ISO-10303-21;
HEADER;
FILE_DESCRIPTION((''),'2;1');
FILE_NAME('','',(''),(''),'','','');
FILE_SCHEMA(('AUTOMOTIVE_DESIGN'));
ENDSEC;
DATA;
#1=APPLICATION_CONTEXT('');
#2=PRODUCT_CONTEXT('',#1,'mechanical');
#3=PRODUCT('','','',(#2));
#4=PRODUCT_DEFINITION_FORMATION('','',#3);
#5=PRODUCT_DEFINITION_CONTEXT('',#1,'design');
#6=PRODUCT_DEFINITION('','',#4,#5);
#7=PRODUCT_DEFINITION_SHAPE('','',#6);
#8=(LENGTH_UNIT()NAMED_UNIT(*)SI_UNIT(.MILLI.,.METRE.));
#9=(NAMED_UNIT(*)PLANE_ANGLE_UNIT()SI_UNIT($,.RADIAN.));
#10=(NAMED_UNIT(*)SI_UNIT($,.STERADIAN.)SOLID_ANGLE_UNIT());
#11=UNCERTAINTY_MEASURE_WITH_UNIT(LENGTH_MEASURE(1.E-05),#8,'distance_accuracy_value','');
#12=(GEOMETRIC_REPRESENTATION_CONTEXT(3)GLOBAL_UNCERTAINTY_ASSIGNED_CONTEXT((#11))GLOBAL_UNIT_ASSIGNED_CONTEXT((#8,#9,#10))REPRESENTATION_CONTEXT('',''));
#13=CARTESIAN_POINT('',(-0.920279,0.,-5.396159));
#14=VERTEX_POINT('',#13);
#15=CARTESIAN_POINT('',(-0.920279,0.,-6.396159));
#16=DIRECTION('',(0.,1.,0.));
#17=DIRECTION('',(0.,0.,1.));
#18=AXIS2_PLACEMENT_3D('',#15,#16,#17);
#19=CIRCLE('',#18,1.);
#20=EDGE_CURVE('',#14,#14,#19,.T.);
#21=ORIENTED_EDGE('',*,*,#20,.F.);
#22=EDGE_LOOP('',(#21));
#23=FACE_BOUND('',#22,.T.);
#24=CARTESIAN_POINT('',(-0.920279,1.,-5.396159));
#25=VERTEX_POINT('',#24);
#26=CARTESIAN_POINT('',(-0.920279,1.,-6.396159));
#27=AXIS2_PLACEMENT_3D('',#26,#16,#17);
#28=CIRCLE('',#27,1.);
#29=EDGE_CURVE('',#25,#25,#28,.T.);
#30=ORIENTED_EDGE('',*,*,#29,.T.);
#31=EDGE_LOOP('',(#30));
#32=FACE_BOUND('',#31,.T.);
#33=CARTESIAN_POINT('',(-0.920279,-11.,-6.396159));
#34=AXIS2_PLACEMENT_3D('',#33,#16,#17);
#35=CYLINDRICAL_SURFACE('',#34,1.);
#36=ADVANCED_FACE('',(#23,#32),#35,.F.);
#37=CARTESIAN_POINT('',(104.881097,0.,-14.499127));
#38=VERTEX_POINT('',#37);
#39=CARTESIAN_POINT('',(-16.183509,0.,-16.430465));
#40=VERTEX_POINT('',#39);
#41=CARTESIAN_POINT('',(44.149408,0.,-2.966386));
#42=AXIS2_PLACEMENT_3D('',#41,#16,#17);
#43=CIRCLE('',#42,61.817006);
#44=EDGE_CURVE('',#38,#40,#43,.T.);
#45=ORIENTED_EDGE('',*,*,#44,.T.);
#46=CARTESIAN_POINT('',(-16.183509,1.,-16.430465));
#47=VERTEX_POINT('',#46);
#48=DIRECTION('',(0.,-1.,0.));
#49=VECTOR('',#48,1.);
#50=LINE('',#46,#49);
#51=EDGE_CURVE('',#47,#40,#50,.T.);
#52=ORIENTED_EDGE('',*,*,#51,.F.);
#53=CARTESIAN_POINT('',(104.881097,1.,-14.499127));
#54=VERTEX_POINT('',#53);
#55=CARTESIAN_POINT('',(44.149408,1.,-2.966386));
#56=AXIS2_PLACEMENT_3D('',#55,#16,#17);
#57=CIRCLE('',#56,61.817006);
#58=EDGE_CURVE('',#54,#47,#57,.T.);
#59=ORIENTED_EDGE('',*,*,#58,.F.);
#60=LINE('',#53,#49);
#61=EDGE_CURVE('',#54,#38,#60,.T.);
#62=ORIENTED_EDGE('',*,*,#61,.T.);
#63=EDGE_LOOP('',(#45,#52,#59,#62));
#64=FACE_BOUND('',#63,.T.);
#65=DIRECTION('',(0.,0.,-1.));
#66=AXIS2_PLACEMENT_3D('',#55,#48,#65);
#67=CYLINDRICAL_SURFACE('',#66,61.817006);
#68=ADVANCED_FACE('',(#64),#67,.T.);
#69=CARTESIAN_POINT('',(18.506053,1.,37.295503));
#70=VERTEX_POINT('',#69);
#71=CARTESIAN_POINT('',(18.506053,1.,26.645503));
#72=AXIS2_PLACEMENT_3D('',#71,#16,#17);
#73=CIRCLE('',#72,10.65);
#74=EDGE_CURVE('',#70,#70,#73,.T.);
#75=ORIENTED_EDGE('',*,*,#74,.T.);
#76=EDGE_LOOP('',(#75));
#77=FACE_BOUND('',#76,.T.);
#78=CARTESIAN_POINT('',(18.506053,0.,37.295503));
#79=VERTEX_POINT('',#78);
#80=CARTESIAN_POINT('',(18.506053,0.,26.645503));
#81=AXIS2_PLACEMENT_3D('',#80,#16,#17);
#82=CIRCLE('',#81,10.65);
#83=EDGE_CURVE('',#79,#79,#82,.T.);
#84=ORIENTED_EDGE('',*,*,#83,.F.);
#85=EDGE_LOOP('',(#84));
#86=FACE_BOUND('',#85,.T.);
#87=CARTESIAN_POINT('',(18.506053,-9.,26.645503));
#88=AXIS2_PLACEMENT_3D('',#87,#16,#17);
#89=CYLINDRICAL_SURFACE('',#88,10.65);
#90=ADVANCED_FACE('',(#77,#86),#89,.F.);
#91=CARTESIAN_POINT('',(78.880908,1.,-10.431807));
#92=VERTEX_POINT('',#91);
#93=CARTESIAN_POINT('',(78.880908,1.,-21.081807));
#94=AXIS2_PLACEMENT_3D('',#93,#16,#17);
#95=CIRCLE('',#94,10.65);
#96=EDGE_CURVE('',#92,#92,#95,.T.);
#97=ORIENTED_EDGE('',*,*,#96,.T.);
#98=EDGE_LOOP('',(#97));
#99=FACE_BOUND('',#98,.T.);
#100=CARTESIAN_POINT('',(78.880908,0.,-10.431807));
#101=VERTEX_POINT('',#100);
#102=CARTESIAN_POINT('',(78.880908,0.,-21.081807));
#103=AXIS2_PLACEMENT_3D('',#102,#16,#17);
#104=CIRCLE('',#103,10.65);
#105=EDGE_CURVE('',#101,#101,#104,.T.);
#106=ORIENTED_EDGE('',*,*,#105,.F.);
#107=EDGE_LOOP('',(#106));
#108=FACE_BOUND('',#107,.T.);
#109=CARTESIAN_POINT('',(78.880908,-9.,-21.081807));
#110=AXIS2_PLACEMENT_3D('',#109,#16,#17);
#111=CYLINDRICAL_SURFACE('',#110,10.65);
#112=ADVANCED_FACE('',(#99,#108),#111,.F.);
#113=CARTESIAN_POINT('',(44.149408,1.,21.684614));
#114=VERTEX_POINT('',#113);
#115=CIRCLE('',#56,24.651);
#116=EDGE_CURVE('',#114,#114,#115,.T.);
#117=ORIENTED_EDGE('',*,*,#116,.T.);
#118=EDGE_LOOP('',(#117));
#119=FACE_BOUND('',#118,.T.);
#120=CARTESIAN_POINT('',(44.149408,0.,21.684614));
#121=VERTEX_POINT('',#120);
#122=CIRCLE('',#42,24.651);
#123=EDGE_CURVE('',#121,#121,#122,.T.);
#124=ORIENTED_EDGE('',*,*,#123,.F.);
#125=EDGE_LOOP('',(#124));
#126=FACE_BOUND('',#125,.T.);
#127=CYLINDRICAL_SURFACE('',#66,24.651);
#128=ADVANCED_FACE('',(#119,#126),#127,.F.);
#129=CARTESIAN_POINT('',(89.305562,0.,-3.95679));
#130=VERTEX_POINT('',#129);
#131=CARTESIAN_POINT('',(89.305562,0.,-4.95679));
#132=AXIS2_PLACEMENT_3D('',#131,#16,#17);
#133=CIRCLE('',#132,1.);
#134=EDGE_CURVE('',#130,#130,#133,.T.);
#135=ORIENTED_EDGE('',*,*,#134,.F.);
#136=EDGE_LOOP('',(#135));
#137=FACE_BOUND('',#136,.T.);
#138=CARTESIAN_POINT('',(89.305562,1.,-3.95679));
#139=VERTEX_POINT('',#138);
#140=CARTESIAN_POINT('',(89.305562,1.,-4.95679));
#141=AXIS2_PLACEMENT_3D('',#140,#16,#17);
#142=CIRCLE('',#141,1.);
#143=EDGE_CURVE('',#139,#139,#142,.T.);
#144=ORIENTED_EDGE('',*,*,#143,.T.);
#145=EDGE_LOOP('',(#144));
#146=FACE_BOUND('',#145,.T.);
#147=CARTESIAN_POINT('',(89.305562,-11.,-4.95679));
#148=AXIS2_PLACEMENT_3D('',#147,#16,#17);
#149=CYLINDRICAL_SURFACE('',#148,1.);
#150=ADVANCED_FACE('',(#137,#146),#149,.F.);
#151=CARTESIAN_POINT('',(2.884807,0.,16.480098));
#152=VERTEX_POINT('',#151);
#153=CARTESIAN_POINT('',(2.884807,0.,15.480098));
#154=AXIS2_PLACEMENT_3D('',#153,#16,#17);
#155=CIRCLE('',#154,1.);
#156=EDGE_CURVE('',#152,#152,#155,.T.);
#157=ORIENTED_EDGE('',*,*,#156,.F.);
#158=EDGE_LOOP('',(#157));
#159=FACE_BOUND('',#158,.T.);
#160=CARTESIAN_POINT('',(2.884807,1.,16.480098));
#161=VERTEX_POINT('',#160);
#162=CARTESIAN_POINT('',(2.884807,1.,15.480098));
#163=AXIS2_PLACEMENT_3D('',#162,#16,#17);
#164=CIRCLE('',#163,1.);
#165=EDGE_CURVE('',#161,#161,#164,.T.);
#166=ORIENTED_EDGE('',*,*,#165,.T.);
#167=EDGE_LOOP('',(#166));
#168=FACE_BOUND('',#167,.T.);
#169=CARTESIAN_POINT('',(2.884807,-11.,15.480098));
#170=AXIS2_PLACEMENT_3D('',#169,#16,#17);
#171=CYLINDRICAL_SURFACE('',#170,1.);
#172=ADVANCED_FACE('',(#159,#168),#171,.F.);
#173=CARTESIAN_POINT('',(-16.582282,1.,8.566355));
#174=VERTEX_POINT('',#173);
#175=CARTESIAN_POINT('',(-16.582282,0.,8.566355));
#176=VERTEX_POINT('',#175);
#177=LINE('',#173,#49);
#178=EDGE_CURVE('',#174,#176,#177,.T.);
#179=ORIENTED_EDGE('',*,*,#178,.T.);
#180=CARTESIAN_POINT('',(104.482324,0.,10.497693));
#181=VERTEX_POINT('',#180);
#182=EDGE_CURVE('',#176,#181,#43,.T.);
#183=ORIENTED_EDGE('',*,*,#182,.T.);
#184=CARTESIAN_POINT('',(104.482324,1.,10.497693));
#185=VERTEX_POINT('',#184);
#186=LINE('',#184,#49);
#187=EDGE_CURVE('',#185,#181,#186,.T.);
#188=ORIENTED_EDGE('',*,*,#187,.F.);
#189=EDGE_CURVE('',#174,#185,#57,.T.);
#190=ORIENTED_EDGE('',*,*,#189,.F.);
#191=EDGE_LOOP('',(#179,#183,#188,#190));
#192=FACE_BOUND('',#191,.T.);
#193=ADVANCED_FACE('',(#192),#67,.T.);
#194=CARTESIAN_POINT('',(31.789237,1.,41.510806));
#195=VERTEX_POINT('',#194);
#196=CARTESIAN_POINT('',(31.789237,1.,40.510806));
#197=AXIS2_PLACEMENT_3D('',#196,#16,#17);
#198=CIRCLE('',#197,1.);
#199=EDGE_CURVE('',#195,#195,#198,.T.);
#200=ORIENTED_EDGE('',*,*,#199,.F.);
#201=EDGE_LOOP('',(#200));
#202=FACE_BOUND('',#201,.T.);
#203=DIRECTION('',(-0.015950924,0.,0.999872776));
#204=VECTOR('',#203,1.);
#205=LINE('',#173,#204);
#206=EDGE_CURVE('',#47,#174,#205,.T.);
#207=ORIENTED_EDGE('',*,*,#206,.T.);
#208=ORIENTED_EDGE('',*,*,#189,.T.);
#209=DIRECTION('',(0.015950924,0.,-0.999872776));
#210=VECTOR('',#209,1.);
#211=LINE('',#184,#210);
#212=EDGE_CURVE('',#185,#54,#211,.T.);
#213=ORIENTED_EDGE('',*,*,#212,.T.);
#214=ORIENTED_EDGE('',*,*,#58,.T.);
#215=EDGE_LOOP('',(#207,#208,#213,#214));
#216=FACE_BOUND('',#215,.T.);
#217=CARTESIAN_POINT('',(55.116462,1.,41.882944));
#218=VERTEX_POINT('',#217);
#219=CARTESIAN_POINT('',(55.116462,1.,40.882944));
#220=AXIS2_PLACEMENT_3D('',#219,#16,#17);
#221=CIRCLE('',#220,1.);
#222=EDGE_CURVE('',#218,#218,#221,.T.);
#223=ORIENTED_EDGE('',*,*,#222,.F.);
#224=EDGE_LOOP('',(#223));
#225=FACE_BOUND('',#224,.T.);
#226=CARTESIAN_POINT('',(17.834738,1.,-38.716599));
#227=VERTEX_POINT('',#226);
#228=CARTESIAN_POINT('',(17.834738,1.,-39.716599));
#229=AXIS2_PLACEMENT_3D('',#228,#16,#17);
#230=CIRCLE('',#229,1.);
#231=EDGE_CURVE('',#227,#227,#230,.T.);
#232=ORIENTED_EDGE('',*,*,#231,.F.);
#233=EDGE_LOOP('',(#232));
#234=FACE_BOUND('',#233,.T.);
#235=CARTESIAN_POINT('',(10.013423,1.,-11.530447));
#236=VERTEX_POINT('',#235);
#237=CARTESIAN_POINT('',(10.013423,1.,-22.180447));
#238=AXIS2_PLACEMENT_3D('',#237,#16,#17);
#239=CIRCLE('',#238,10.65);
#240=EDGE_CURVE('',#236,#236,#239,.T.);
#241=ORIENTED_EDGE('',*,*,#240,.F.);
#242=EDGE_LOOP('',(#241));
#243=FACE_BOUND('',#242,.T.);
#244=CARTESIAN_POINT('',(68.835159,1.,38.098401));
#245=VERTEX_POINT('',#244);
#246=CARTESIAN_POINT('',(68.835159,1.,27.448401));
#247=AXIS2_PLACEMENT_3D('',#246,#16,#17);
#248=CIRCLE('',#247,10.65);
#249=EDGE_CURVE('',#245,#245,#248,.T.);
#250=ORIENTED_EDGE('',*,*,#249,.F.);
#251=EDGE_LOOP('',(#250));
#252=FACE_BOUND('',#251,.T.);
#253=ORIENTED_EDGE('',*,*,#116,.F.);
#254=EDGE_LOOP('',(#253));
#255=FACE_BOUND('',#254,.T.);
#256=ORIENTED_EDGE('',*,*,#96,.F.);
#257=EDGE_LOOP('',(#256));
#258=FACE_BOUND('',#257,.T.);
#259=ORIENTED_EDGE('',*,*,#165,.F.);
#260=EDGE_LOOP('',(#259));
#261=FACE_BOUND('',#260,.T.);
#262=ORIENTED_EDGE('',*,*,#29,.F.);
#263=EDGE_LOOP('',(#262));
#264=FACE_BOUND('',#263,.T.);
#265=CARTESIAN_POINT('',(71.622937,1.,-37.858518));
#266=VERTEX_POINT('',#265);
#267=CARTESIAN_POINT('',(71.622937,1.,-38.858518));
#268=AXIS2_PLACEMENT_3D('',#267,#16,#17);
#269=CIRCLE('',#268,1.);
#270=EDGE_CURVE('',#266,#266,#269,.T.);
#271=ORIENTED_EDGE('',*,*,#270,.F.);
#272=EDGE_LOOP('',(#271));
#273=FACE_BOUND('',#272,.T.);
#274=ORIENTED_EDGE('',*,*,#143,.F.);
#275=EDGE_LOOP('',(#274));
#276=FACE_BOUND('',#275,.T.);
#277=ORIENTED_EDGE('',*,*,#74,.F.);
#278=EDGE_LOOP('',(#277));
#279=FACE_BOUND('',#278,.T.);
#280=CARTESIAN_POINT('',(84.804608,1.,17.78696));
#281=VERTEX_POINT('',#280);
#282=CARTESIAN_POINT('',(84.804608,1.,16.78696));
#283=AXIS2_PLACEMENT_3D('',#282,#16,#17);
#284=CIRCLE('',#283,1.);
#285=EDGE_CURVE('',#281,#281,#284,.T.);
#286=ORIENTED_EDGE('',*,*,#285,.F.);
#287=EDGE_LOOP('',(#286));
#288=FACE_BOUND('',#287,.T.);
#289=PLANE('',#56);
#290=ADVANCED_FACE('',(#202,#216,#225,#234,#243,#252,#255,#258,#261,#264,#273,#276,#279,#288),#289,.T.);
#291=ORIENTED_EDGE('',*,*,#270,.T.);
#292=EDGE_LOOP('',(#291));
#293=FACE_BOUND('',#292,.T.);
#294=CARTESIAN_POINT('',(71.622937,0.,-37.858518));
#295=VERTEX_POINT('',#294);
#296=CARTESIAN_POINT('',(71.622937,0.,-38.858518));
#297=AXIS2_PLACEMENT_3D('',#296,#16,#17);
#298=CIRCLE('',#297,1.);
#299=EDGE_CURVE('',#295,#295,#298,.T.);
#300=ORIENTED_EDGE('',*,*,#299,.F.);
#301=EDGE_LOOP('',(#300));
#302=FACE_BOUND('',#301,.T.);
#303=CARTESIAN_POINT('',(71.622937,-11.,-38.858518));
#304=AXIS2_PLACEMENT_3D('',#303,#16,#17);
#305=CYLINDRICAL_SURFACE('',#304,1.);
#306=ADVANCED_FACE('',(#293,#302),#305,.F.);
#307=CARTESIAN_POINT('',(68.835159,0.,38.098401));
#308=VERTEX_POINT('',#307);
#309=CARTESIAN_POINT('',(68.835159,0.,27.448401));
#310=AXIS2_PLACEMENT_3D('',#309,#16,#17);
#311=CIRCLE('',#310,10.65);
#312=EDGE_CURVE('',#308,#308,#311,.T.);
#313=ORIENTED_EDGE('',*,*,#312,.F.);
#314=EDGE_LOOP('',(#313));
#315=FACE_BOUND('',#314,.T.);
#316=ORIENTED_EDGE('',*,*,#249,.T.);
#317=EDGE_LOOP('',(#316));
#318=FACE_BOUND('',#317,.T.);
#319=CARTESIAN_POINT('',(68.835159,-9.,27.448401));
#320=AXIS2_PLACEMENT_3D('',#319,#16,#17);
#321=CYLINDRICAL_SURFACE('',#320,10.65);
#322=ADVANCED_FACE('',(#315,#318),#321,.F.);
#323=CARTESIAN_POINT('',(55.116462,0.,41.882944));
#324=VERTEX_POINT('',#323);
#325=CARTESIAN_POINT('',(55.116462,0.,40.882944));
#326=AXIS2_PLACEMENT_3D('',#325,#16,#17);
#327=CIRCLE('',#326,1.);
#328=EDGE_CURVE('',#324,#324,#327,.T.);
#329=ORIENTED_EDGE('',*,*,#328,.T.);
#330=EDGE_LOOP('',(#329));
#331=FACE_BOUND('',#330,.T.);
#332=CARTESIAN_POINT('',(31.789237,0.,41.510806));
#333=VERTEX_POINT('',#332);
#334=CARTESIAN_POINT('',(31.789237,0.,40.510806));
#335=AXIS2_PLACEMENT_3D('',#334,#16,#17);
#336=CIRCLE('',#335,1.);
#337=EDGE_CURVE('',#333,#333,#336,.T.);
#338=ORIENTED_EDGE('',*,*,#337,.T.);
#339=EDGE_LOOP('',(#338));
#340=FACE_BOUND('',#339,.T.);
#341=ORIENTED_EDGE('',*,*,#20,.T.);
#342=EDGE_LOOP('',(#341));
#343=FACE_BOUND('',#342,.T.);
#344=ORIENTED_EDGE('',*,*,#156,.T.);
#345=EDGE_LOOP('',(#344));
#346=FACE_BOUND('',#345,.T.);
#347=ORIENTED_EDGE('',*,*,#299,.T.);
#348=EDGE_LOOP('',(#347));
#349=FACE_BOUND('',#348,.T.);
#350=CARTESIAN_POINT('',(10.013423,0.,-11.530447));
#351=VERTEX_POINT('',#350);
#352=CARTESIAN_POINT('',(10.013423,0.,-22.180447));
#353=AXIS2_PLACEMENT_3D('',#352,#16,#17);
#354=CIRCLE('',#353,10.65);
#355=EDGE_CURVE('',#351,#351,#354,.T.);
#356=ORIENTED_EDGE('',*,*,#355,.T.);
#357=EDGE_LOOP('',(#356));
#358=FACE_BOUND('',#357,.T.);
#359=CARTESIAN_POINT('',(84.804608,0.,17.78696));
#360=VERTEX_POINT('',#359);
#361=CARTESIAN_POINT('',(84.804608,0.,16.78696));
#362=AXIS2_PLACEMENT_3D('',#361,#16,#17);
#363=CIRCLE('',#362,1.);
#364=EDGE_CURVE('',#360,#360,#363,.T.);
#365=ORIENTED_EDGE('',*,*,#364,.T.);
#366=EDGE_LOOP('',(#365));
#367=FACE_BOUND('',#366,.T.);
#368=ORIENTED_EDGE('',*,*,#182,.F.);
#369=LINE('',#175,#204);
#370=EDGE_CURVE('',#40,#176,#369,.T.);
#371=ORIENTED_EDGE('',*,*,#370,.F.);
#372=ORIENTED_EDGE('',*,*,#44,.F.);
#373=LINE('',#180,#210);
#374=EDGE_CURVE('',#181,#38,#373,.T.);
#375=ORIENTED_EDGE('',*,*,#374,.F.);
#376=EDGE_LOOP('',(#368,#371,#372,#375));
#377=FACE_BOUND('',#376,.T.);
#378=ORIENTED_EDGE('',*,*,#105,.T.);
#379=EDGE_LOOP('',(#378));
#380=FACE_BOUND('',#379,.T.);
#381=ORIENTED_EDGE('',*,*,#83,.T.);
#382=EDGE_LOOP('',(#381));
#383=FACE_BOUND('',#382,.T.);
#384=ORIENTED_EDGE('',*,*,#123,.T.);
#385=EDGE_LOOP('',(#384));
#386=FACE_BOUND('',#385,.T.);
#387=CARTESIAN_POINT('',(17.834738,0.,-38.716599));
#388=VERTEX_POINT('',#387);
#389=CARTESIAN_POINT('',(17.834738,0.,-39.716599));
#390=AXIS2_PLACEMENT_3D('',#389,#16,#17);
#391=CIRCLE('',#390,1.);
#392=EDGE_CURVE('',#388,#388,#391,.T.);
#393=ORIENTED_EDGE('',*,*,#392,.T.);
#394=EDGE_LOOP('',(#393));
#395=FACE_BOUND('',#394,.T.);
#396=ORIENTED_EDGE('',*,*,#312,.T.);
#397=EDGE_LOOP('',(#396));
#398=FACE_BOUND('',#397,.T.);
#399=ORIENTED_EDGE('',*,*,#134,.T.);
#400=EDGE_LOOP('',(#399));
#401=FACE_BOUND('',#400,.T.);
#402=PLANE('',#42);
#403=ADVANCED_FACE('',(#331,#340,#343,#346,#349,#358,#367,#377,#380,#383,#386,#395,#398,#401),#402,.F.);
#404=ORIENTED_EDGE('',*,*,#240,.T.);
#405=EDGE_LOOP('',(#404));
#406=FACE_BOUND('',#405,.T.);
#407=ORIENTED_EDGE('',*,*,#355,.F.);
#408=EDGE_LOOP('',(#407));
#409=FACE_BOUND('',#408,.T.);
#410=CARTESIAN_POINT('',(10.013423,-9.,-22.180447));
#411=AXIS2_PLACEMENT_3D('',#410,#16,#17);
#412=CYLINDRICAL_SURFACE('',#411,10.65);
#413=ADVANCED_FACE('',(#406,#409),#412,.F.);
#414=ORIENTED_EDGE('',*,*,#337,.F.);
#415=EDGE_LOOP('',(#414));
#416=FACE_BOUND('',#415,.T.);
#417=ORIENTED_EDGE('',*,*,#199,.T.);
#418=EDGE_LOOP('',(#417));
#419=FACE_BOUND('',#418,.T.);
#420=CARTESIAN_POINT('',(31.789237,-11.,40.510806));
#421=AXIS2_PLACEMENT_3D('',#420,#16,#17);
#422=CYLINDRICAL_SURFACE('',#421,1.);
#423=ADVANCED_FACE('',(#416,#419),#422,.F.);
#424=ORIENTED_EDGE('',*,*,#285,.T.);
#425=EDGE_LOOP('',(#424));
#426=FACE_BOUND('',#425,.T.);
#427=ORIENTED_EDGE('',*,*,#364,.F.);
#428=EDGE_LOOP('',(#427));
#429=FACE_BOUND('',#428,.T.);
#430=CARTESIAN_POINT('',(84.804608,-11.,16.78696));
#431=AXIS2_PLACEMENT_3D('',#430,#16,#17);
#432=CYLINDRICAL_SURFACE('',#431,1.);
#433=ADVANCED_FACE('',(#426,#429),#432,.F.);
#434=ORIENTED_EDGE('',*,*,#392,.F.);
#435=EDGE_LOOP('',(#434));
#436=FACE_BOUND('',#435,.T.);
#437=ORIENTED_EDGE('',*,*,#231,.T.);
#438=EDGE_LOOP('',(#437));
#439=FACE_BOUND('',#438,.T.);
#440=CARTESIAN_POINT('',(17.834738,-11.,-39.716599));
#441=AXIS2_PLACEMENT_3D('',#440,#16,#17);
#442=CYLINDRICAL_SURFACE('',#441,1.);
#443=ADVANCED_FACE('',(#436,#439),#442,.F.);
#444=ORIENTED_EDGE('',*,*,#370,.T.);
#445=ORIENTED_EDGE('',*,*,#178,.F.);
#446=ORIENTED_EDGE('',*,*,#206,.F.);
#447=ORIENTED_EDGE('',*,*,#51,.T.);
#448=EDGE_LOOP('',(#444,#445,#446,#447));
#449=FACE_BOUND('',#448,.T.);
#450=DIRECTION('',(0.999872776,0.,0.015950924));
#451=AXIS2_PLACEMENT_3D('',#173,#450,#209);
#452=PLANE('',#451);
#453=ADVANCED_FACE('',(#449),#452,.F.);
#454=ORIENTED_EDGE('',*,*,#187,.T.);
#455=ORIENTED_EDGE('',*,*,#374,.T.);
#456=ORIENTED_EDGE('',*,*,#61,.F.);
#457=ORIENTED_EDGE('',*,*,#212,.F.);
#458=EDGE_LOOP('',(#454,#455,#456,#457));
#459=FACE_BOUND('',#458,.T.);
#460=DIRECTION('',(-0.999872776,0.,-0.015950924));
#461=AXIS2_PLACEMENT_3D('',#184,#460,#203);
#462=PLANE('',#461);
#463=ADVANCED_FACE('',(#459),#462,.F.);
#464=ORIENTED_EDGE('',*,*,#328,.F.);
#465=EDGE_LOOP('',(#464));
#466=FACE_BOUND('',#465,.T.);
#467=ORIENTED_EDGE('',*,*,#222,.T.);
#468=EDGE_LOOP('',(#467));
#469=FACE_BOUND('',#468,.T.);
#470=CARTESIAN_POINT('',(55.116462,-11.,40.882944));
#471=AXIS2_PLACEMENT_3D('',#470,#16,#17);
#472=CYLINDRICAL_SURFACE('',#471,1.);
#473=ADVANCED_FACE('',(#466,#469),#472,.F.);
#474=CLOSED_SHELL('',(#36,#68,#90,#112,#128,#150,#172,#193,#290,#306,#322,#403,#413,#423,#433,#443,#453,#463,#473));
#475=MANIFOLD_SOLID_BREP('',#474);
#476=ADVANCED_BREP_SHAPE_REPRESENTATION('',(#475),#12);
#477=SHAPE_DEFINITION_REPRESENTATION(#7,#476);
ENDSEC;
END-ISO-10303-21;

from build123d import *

# Parameters (mm, degrees)
SKETCH1_R           = 24.651
BOSS_EXTRUDE1_DEPTH = 1
SKETCH12_R          = 10.65
CUT_EXTRUDE11_DEPTH = 10
SKETCH17_R          = 1
CUT_EXTRUDE16_DEPTH = 12


with BuildPart() as part:
    # Sketch1 → Boss-Extrude1 (new body)
    with BuildSketch(Plane(origin=(0, 0, 0), x_dir=(-0.9998860245595664, 0, 0.015097612078282974), z_dir=(0, 1, 0))):
        with BuildLine():
            Line((16.709723735, 8.315025383), (15.933603805, -16.67292447))
            ThreePointArc((15.933603805, -16.67292447), (-46.108257418, -64.086707389), (-105.088045734, -12.914020093))
            Line((-105.088045734, -12.914020093), (-104.311925805, 12.07392976))
            ThreePointArc((-104.311925805, 12.07392976), (-42.270064581, 59.487712679), (16.709723735, 8.315025383))
        make_face()
        with Locations(Location((-44.189161, -2.299497355, 0), (0, 0, 89.134937682))):
            Circle(SKETCH1_R, mode=Mode.SUBTRACT)
    extrude(amount=BOSS_EXTRUDE1_DEPTH)

    # Sketch12 → Cut-Extrude11 (cut)
    with BuildSketch(Plane(origin=(0, 1, 0), x_dir=(1, 0, 0), z_dir=(0, 1, 0))):
        with Locations(Location((68.835159128, -27.448400712, 0), (0, 0, 270))):
            Circle(SKETCH12_R)
        with Locations(Location((18.50605331, -26.645502828, 0), (0, 0, 270))):
            Circle(SKETCH12_R)
        with Locations(Location((10.013422933, 22.180446939, 0), (0, 0, 270))):
            Circle(SKETCH12_R)
        with Locations(Location((78.880907759, 21.081807158, 0), (0, 0, 270))):
            Circle(SKETCH12_R)
    extrude(amount=-CUT_EXTRUDE11_DEPTH, mode=Mode.SUBTRACT)

    # Sketch17 → Cut-Extrude16 (cut)
    with BuildSketch(Plane(origin=(48.22803339, 1, -7.719999561), x_dir=(-0.9998727759206765, 0, -0.01595092388173346), z_dir=(0, 1, 0))):
        with Locations(Location((-7.662813984, 48.486882974, 0), (0, 0, 90.913959377))):
            Circle(SKETCH17_R)
        with Locations(Location((15.667378709, 48.486882974, 0), (0, 0, 90.913959377))):
            Circle(SKETCH17_R)
        with Locations(Location((44.967394337, 23.920411988, 0), (0, 0, 90.913959377))):
            Circle(SKETCH17_R)
        with Locations(Location((49.120943166, 2.107633512, 0), (0, 0, 90.913959377))):
            Circle(SKETCH17_R)
        with Locations(Location((30.899804125, -31.507727626, 0), (0, 0, 90.913959377))):
            Circle(SKETCH17_R)
        with Locations(Location((-22.895239399, -31.507727626, 0), (0, 0, 90.913959377))):
            Circle(SKETCH17_R)
        with Locations(Location((-41.116378441, 2.107633512, 0), (0, 0, 90.913959377))):
            Circle(SKETCH17_R)
        with Locations(Location((-36.962829611, 23.920411988, 0), (0, 0, 90.913959377))):
            Circle(SKETCH17_R)
    extrude(amount=-CUT_EXTRUDE16_DEPTH, mode=Mode.SUBTRACT)


solid = part.part
